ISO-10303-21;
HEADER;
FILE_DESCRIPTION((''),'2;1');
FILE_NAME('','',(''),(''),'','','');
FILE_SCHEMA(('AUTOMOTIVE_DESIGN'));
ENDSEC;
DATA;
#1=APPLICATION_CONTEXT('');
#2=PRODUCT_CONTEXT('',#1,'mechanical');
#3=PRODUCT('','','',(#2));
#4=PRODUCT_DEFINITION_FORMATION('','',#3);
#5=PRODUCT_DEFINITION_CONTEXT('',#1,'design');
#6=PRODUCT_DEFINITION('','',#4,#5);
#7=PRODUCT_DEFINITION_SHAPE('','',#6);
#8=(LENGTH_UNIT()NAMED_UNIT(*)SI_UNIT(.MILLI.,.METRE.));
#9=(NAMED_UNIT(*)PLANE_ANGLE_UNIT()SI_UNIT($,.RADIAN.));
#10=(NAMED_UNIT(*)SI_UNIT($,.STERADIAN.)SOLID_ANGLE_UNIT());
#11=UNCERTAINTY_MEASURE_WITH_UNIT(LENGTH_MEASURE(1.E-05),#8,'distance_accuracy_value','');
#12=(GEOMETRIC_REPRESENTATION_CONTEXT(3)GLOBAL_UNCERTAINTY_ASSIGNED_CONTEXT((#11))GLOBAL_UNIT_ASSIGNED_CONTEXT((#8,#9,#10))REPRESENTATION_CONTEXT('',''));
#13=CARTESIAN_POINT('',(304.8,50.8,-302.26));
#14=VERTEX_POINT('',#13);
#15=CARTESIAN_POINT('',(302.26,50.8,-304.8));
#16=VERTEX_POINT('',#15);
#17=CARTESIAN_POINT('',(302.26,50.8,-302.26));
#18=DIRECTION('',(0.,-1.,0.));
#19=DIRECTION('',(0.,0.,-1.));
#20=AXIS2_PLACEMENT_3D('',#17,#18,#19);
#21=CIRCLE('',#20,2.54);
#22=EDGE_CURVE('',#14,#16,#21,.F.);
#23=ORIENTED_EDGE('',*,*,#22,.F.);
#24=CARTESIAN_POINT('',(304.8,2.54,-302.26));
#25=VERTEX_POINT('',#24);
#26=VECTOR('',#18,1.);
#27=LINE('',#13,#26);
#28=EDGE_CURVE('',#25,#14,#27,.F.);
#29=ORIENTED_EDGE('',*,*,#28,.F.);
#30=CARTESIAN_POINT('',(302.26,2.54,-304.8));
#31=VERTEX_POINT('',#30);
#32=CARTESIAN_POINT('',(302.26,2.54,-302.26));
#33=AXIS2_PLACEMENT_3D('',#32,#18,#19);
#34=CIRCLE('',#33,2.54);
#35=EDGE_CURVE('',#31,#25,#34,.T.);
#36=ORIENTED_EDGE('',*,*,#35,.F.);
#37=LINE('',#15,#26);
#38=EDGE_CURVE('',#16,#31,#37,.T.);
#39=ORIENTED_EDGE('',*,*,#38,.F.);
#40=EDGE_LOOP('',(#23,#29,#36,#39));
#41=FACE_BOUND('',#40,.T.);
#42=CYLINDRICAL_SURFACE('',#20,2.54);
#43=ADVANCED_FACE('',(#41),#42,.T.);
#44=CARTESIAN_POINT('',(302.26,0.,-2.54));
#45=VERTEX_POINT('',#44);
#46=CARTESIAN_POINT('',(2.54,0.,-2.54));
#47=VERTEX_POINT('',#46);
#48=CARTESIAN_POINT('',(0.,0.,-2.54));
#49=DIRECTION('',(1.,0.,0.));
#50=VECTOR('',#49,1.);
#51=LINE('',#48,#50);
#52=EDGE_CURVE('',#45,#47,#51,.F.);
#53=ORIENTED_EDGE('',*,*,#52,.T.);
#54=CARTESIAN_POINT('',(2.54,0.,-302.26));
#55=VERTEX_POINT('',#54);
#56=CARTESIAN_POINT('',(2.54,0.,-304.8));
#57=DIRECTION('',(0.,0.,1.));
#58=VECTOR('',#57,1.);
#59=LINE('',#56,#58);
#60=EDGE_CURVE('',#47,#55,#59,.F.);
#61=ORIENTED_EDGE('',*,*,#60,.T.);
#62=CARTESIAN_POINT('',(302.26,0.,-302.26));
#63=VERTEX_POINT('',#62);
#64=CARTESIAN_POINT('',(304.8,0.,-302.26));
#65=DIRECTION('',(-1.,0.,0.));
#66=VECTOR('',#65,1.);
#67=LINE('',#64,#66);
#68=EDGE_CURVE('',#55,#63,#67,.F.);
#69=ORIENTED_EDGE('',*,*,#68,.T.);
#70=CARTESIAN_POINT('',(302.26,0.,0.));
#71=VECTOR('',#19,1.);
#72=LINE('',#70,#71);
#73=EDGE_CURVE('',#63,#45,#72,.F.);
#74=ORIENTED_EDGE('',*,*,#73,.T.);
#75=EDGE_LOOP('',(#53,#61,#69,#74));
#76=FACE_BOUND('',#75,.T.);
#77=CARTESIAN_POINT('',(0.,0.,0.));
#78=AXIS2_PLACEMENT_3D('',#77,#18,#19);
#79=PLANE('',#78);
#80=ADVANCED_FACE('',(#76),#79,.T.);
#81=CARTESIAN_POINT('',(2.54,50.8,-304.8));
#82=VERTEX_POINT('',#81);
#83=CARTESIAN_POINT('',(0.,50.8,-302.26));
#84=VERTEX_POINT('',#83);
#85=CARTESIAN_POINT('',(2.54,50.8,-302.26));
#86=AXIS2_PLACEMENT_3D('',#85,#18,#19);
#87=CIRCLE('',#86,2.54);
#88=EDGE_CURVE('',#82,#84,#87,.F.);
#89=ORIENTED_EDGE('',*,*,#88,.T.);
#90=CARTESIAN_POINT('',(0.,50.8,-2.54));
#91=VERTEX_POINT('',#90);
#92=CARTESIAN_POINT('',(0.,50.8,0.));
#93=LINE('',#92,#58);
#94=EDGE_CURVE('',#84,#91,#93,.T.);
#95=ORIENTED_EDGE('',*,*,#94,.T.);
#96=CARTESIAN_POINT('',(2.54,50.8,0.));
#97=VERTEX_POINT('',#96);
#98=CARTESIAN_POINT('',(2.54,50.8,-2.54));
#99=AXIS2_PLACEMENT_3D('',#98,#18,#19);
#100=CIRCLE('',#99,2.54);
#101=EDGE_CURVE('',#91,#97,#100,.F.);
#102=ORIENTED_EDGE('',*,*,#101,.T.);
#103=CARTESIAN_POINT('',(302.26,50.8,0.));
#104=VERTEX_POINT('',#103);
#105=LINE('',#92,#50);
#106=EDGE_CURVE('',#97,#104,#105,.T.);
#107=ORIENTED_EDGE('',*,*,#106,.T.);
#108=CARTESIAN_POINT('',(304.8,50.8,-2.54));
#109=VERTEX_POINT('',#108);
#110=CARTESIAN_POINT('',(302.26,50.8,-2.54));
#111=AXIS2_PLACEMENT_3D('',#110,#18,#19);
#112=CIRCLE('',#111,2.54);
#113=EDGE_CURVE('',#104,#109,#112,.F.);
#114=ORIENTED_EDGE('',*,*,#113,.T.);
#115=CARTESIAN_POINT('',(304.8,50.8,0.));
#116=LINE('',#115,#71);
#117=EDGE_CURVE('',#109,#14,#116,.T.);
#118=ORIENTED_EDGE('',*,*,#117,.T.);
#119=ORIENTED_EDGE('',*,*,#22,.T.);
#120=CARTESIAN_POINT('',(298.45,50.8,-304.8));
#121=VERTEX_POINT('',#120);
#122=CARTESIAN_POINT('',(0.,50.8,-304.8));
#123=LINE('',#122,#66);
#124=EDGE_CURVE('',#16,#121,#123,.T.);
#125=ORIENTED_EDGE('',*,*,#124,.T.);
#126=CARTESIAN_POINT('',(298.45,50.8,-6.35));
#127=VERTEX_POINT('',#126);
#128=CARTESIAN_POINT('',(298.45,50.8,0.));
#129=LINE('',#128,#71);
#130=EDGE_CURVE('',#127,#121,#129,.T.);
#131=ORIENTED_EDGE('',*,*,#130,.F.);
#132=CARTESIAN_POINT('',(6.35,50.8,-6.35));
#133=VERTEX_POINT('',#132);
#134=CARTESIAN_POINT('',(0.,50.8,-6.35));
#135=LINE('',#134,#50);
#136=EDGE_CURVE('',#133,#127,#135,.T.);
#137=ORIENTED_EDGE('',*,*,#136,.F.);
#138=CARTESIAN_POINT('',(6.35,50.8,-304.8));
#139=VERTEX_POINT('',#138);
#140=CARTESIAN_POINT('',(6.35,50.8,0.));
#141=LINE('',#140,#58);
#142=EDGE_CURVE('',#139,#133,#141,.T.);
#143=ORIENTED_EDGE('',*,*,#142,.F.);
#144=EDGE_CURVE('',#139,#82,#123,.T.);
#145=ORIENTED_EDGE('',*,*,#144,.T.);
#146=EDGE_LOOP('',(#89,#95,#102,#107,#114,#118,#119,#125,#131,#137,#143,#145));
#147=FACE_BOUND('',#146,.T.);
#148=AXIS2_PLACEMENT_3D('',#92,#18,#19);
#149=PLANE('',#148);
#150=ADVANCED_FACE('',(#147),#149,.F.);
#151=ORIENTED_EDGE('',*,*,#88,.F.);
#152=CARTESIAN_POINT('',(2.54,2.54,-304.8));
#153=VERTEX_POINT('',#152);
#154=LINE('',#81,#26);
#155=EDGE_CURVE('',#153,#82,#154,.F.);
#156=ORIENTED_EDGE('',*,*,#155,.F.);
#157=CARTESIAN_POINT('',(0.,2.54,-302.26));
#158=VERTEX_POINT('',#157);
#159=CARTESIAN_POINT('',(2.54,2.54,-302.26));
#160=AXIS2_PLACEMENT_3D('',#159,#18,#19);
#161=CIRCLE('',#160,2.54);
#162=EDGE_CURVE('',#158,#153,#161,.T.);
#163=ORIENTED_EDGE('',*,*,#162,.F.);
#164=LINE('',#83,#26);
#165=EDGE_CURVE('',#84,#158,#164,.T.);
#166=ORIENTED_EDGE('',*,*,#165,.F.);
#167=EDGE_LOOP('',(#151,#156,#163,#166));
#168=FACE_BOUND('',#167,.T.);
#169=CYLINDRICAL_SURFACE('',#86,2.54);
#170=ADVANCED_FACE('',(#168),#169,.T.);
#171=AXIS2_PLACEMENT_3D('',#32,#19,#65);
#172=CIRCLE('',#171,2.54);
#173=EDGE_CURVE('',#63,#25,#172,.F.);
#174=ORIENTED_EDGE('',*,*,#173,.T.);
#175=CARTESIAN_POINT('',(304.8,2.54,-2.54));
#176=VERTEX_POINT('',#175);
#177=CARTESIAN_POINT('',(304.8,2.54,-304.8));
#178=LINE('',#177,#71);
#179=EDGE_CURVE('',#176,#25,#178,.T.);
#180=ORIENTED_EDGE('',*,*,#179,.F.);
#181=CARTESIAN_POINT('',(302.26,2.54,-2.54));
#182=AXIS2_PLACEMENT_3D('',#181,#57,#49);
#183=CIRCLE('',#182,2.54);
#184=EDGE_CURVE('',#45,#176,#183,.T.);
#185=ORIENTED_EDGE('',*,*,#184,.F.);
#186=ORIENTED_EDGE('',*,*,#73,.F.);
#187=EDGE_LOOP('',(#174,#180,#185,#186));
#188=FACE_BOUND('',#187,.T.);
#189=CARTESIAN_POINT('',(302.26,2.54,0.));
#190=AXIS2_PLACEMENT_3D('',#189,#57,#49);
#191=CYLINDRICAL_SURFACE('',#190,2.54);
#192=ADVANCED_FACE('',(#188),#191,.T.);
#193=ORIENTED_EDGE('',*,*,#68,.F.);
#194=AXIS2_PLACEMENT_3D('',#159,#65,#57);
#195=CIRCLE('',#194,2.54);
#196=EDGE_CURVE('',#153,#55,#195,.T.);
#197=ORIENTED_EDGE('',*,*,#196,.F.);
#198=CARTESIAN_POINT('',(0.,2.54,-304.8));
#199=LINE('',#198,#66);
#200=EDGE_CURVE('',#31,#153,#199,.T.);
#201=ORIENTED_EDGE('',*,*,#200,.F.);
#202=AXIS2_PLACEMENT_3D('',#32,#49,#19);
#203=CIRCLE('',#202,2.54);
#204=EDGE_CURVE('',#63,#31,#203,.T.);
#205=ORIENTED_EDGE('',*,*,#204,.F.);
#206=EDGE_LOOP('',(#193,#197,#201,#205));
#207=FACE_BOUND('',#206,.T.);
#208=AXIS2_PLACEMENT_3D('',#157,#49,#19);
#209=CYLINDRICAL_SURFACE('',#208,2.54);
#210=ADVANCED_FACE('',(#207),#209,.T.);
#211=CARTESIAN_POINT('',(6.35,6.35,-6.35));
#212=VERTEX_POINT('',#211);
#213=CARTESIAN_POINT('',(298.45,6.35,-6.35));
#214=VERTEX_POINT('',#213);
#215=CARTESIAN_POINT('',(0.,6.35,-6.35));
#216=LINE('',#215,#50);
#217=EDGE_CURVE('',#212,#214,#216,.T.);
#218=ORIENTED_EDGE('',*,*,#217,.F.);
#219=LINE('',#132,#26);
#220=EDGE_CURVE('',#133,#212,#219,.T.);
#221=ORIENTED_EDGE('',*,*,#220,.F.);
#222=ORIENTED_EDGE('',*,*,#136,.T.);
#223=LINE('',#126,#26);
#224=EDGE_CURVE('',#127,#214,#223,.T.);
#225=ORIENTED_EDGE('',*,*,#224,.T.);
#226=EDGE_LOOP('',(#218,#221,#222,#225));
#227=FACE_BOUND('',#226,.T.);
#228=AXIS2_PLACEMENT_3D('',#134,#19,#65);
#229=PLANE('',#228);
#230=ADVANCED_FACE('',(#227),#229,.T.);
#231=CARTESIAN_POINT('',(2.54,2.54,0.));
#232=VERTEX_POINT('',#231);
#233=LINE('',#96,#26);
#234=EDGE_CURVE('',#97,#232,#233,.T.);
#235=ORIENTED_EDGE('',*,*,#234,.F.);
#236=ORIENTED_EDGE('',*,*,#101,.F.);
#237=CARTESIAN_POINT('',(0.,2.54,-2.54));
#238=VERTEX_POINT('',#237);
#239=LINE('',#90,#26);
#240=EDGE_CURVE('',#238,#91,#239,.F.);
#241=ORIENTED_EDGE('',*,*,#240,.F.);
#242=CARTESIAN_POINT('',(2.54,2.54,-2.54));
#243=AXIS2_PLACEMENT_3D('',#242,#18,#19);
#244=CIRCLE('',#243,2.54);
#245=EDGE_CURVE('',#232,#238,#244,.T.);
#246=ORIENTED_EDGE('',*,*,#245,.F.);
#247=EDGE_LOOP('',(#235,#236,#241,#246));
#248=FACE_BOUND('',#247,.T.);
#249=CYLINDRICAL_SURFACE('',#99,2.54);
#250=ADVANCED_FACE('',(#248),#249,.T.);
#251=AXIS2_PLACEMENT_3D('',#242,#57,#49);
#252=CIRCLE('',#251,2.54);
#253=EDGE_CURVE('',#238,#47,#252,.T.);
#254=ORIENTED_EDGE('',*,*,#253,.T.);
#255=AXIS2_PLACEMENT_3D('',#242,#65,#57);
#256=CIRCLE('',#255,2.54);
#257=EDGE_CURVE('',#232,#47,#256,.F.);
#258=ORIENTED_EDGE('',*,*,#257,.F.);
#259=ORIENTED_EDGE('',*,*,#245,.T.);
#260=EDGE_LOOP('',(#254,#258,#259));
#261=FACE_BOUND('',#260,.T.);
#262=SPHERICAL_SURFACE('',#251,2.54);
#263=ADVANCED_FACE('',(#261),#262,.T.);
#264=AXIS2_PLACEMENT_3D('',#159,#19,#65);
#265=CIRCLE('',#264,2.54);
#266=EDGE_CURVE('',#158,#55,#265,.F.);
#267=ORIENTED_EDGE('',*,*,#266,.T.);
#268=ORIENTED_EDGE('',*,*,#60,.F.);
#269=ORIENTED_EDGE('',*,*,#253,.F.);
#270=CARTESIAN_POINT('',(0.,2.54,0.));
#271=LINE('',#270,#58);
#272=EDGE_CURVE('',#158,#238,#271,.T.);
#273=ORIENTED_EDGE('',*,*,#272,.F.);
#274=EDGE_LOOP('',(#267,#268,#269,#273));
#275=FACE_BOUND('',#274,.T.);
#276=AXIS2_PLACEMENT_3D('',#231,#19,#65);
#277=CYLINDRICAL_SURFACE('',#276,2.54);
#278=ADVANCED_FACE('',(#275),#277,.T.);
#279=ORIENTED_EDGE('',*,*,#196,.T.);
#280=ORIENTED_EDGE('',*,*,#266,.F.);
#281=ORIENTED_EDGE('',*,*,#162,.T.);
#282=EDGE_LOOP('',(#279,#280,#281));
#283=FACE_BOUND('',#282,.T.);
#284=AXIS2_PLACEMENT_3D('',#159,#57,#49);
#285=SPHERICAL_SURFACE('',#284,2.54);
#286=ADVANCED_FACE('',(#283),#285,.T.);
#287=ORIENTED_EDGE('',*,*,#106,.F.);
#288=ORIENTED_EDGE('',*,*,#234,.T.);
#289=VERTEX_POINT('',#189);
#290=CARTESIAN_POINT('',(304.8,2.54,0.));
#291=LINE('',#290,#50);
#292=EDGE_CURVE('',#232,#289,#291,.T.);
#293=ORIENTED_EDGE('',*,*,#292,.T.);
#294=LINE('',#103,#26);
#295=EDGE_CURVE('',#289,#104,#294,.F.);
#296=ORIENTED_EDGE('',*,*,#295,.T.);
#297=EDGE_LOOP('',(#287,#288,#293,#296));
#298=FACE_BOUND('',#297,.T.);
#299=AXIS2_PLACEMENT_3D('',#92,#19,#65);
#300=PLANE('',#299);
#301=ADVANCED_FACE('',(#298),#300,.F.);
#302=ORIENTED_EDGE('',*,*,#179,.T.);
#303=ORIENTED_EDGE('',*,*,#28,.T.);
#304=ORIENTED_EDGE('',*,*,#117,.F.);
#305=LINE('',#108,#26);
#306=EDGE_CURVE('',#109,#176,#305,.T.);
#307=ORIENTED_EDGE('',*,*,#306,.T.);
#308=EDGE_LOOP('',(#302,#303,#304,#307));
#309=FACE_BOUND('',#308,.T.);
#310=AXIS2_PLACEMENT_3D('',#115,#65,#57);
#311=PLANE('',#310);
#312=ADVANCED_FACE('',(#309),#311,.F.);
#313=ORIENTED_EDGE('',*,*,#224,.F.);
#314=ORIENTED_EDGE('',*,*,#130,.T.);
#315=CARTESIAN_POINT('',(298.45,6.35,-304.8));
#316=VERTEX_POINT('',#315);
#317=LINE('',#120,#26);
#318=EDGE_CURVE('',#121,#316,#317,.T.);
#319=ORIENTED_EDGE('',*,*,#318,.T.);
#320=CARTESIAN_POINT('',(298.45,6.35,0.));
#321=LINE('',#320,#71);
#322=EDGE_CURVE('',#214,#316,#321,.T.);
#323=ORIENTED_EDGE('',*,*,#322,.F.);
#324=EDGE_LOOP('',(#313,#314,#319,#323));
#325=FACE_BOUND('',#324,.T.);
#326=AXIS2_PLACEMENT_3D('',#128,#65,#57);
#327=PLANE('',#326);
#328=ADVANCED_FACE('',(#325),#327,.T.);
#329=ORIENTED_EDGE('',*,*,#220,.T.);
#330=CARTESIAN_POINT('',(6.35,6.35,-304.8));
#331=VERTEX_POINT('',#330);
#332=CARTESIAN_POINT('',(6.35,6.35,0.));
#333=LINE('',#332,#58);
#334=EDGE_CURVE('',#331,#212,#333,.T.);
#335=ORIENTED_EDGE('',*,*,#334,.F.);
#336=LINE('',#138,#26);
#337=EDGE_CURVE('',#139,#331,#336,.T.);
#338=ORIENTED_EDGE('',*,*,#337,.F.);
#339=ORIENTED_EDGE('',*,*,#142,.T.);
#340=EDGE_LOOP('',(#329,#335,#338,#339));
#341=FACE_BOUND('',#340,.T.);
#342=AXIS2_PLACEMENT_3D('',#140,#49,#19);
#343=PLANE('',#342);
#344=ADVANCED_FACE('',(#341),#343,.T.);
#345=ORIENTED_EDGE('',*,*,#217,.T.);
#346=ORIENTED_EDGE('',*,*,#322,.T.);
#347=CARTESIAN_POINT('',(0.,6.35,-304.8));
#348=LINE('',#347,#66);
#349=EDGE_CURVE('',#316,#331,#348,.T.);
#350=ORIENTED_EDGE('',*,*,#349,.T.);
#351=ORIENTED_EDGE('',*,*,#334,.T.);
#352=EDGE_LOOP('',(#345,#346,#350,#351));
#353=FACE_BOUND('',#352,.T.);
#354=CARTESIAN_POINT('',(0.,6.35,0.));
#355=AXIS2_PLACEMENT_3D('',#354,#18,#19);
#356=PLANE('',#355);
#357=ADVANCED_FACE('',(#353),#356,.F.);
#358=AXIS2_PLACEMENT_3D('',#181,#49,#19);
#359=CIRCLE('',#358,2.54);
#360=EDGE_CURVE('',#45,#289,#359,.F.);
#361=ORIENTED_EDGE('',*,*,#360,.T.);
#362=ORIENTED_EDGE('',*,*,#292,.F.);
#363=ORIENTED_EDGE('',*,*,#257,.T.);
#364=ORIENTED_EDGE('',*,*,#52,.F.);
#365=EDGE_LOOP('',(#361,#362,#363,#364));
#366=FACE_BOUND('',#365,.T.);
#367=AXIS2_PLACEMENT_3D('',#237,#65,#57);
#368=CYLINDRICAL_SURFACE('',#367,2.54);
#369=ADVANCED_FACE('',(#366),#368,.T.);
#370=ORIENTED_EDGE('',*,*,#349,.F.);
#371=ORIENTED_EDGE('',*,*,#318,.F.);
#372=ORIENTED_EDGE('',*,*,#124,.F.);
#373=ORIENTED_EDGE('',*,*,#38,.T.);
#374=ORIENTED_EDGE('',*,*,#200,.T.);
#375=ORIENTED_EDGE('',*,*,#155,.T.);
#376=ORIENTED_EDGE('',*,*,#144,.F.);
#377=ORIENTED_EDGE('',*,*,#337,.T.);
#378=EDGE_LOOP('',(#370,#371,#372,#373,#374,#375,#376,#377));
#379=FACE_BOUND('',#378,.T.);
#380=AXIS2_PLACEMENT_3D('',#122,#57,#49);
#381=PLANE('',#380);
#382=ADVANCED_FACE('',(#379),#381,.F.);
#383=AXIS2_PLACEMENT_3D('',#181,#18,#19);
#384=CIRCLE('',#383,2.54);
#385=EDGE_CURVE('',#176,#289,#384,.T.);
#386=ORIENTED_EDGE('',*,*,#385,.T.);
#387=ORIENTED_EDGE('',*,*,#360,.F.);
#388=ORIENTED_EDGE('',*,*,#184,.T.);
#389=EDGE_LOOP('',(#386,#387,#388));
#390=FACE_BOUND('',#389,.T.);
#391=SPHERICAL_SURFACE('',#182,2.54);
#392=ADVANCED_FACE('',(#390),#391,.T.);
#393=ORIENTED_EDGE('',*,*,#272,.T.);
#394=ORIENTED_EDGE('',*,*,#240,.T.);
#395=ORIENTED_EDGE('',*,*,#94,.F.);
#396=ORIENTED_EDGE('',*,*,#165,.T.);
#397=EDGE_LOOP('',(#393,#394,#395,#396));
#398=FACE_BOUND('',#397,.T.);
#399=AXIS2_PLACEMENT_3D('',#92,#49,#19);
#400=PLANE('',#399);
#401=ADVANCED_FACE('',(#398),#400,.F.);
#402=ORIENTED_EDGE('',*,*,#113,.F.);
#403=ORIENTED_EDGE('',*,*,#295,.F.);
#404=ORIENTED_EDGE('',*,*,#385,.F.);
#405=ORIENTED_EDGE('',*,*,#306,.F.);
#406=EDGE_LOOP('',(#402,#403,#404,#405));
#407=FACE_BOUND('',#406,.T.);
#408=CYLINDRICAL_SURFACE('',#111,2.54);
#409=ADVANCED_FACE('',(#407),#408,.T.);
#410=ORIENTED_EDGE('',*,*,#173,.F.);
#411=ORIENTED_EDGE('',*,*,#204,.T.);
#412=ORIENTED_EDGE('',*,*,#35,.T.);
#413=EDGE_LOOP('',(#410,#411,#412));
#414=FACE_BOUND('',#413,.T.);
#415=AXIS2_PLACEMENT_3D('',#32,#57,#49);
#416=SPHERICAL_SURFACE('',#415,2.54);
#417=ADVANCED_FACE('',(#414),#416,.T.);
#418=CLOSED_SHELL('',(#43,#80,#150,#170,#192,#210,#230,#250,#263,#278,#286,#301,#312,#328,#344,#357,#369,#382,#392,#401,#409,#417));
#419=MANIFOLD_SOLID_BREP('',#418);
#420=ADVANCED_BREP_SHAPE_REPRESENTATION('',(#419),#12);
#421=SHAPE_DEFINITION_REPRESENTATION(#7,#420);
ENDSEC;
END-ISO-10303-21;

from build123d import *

# Parameters (mm, degrees)
SKETCH1_W           = 304.8
SKETCH1_H           = 304.8
BOSS_EXTRUDE1_DEPTH = 50.8
SHELL1_T            = -6.35
FILLET1_R           = 2.54


with BuildPart() as part:
    # Sketch1 → Boss-Extrude1 (new body)
    with BuildSketch(Plane(origin=(0, 0, 0), x_dir=(1, 0, 0), z_dir=(0, 1, 0))):
        with Locations((152.4, 152.4)):
            Rectangle(SKETCH1_W, SKETCH1_H)
    extrude(amount=BOSS_EXTRUDE1_DEPTH)

    # Shell1
    shell1_openings = [part.faces().sort_by_distance(p)[0] for p in [
        (152.4, 50.8, -152.4),
        (152.4, 25.4, -304.8),
    ]]
    offset(amount=SHELL1_T, openings=shell1_openings, kind=Kind.INTERSECTION)

    # Fillet1
    fillet1_edges = [part.edges().sort_by_distance(p)[0] for p in [
        (152.4, 0, -304.8),
        (304.8, 0, -152.4),
        (152.4, 0, 0),
        (0, 0, -152.4),
        (0, 25.4, -304.8),
        (304.8, 25.4, -304.8),
        (304.8, 25.4, 0),
        (0, 25.4, 0),
    ]]
    fillet(fillet1_edges, radius=FILLET1_R)


solid = part.part
